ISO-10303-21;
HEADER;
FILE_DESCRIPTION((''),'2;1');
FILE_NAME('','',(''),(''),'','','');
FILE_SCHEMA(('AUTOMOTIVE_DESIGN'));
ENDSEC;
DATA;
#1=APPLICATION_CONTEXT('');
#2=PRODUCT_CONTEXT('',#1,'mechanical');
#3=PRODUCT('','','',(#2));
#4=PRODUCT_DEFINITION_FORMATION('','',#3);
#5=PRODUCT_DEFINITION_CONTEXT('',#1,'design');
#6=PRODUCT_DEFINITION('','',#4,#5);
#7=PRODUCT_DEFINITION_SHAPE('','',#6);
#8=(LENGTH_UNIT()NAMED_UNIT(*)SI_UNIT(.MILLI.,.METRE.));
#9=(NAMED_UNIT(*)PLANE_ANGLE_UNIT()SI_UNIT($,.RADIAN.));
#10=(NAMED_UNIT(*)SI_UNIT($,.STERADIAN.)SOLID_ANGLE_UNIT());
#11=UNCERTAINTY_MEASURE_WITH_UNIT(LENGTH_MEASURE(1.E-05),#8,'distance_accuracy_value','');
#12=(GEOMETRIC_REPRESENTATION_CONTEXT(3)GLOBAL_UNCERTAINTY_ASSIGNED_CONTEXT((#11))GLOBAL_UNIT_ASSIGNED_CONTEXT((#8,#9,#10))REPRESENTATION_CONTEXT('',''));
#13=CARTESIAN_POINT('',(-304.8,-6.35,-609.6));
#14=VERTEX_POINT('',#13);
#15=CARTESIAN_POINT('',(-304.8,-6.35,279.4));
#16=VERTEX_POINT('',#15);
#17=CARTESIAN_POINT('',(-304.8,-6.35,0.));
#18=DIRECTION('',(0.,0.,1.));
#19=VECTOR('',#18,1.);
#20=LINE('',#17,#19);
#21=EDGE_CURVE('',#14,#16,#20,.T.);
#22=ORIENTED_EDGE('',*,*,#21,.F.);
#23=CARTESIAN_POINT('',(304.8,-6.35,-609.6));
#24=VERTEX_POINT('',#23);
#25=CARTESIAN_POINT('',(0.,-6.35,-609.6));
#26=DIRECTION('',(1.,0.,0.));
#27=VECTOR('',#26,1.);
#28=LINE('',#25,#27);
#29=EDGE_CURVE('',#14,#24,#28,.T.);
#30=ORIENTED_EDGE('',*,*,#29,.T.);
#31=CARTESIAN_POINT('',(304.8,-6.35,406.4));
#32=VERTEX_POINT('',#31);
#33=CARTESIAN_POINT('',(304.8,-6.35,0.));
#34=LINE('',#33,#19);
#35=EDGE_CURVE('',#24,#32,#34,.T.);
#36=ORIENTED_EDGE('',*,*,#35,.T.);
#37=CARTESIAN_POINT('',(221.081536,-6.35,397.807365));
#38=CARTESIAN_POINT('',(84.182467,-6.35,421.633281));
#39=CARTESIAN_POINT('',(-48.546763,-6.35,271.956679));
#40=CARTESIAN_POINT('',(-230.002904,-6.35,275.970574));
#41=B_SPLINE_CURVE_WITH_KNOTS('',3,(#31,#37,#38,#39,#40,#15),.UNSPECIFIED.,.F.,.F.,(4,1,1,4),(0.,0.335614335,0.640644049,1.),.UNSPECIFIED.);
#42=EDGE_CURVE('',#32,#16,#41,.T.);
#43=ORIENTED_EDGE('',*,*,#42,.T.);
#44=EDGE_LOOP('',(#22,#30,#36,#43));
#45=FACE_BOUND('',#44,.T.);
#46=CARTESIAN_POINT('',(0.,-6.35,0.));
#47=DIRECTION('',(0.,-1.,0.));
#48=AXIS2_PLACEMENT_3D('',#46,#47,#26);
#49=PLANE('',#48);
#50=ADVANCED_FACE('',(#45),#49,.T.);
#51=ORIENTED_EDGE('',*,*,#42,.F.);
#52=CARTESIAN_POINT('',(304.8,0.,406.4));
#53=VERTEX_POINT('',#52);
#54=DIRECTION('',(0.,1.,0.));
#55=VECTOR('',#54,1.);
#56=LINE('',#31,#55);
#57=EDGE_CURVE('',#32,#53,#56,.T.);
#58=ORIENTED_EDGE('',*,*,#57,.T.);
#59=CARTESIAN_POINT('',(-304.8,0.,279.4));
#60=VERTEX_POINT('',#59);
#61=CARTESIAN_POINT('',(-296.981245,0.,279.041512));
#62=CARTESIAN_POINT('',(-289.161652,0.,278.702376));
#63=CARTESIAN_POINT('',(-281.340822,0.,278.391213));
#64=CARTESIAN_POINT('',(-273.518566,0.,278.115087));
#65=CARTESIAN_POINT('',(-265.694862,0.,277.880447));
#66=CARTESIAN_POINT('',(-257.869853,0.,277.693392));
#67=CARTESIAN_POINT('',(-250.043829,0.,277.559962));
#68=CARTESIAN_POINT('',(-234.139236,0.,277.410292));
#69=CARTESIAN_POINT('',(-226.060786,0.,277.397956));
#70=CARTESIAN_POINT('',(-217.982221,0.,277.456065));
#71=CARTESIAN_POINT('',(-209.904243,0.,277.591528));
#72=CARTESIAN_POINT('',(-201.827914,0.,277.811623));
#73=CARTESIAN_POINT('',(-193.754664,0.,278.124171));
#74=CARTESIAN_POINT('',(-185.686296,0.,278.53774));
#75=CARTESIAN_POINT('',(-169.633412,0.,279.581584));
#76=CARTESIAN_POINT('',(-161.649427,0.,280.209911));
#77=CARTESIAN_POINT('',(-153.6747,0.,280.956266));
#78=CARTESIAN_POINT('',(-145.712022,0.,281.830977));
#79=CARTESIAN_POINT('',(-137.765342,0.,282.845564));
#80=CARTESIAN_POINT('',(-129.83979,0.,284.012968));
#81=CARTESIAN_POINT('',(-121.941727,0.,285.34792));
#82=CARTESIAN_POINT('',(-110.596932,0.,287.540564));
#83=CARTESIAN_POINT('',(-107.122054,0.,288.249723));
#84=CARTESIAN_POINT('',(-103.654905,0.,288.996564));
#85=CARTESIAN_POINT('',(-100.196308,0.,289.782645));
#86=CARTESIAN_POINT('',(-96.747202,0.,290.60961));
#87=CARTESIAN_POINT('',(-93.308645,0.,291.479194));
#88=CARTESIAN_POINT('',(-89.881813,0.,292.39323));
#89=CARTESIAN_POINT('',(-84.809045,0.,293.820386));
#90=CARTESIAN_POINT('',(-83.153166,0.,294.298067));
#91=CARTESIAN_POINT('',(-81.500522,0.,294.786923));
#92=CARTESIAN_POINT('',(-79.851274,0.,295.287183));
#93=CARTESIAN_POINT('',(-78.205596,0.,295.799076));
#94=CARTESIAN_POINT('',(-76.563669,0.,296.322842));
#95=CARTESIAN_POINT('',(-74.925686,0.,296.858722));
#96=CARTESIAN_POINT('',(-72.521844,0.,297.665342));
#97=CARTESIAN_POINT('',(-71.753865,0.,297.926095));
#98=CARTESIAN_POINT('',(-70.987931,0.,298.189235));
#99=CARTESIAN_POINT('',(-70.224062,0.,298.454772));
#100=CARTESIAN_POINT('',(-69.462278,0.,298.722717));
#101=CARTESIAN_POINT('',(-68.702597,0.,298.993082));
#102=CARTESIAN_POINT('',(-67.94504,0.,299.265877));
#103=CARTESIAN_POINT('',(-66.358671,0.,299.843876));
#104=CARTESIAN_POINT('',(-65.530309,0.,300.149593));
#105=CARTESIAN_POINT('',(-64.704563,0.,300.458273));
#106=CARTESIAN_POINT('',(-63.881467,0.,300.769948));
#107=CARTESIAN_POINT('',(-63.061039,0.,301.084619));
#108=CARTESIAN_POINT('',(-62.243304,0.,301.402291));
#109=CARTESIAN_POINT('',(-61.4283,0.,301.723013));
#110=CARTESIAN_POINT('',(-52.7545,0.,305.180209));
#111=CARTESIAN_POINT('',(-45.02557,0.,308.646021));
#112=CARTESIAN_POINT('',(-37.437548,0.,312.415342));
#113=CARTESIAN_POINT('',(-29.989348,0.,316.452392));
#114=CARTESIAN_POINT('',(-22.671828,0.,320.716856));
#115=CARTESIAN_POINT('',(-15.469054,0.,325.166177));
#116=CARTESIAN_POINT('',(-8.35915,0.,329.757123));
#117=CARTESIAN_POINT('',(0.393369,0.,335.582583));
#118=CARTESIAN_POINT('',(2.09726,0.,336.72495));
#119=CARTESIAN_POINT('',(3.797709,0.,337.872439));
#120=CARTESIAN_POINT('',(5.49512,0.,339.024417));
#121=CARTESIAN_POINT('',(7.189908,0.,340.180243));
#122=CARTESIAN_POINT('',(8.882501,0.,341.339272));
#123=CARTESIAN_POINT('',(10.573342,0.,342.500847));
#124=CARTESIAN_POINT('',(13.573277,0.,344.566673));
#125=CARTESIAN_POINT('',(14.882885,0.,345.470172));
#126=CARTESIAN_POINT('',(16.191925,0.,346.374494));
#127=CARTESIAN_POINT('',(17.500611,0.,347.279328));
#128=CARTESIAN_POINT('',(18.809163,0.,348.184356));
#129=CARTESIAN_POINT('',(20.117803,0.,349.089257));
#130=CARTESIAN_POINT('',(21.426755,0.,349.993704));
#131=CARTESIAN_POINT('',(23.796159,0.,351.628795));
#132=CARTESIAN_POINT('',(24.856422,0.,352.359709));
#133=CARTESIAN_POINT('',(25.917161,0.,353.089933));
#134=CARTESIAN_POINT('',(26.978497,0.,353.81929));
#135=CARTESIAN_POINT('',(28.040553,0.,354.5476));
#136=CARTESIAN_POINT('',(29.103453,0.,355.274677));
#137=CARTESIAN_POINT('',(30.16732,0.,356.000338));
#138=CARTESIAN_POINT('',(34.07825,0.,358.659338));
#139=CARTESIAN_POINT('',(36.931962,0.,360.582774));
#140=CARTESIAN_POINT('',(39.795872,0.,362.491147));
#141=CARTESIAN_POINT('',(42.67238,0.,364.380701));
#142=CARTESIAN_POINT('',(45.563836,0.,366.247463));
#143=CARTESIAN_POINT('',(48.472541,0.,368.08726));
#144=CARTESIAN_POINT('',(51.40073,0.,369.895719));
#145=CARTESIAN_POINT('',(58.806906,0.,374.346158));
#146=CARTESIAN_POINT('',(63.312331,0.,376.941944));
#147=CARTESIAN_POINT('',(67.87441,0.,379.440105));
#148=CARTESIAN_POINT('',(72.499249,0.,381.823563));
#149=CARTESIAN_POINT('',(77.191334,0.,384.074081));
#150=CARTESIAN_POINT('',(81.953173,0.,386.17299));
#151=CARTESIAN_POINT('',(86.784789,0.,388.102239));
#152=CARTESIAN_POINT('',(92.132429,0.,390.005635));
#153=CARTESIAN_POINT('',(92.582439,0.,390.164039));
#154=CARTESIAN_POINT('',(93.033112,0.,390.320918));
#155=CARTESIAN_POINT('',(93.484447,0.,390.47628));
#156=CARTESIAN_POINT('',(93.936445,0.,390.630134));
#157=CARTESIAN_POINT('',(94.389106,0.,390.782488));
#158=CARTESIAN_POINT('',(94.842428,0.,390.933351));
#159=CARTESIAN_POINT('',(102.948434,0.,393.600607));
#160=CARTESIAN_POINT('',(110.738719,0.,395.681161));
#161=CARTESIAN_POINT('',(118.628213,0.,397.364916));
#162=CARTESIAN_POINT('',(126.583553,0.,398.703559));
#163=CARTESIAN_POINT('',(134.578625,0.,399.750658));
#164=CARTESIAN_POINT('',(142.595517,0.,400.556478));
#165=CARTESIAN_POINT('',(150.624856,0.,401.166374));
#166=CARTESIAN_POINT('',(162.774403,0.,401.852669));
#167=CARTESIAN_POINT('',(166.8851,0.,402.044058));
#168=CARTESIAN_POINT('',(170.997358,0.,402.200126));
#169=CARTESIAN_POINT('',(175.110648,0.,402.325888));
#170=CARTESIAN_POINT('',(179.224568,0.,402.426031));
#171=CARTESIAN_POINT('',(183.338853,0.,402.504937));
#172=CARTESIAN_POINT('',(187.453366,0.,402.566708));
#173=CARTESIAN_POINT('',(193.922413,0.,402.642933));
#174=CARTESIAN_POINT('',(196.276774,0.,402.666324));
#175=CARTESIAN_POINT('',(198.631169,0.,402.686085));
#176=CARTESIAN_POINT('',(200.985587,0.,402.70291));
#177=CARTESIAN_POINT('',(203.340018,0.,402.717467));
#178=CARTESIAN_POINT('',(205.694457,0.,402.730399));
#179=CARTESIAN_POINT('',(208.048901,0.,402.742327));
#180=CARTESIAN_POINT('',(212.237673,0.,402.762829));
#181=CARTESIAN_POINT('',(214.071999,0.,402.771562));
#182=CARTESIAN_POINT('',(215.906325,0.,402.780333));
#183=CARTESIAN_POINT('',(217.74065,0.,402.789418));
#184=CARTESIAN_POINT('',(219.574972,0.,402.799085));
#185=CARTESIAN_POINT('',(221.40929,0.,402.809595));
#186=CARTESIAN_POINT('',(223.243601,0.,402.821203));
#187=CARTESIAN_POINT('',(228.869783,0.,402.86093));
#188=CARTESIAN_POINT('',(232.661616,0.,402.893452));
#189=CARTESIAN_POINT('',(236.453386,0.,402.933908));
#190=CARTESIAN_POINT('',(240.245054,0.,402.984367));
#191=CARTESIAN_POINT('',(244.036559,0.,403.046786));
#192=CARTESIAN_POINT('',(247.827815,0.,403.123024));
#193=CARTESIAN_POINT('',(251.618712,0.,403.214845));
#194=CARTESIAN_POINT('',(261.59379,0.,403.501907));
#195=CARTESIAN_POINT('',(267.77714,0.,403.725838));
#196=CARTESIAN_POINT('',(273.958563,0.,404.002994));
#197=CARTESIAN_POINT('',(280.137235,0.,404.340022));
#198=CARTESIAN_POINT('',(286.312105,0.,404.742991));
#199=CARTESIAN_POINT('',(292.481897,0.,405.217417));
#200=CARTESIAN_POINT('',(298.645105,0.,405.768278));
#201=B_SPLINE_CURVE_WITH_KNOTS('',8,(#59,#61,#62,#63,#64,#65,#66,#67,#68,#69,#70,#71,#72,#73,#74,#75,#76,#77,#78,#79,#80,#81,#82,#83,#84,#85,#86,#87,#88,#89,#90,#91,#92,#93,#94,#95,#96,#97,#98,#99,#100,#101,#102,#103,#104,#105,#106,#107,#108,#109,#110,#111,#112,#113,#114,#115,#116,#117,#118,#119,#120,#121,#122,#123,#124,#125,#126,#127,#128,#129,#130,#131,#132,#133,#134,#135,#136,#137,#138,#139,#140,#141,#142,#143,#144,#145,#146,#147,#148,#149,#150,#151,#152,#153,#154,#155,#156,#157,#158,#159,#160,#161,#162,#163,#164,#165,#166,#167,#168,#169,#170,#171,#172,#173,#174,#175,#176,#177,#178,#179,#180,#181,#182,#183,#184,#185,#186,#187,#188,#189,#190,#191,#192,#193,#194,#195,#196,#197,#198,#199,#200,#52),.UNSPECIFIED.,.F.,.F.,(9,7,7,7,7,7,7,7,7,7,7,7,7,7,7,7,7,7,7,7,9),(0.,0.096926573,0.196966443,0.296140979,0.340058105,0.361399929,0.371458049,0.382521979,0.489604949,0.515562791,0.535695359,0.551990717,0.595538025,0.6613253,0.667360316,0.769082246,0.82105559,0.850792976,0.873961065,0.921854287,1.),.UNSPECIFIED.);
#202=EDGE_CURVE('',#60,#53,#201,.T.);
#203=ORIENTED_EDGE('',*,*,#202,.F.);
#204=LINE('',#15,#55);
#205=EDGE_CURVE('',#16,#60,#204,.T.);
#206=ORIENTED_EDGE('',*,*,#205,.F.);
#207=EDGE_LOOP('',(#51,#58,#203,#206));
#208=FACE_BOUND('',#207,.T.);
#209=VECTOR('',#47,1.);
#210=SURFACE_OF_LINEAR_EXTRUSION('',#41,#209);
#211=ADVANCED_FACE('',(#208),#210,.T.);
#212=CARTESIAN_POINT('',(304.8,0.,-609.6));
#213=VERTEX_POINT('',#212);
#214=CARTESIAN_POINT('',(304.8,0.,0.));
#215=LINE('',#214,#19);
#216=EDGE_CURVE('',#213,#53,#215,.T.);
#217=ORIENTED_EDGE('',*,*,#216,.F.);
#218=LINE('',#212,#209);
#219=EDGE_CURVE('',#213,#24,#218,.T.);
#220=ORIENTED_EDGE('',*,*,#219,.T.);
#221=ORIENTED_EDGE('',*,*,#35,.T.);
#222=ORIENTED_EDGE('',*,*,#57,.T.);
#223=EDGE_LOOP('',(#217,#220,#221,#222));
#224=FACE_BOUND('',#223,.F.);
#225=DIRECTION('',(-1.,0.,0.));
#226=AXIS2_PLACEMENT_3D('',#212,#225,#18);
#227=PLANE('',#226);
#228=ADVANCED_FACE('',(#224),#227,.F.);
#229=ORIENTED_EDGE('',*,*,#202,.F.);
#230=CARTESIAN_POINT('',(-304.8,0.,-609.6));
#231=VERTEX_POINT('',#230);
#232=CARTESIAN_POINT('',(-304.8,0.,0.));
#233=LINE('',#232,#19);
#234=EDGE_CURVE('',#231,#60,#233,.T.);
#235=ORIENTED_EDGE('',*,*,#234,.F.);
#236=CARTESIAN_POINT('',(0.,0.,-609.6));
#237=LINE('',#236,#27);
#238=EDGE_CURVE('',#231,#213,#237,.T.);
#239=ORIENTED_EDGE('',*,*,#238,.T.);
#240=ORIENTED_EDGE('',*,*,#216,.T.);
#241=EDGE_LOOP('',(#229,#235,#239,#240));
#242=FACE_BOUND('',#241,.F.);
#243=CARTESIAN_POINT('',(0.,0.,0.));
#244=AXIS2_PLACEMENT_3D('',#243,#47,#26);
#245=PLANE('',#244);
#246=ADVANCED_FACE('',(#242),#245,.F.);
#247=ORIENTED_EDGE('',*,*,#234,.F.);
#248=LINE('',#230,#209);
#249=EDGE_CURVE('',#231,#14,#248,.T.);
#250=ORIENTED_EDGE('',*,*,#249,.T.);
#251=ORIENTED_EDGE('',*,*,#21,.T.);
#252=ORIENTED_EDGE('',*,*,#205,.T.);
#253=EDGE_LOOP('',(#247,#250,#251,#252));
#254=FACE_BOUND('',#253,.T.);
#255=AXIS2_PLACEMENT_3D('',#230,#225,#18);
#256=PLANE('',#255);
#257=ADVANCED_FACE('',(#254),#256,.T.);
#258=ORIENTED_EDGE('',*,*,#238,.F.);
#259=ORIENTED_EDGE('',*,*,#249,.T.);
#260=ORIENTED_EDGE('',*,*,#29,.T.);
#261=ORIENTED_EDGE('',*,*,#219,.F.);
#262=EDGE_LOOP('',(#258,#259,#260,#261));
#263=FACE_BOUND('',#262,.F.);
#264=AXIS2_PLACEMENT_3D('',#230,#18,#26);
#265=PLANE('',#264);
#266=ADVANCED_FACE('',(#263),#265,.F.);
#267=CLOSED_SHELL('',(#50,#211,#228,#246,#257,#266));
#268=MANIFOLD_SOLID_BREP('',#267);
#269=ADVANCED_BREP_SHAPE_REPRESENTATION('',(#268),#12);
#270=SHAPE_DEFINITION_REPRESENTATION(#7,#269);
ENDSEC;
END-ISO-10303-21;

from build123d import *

# Parameters (mm, degrees)
F0_W     = 609.6
F0_H     = 1219.2
F1_DEPTH = 6.35
F3_DEPTH = 6.351


with BuildPart() as f1:
    # F0 (on Front) → F1 (new body)
    with BuildSketch(Plane.XZ):
        Rectangle(F0_W, F0_H)
    extrude(amount=F1_DEPTH)

    # F2 (on face) → F3 (cut, through all)
    with BuildSketch(Plane.XZ.offset(6.35)):
        with BuildLine():
            add(Edge.make_bspline(
                [(304.8, 406.4), (221.0815361118, 397.8073648858), (84.1824671856, 421.633281102), (-48.5467625093, 271.9566788926), (-230.0029036924, 275.9705739058), (-304.8, 279.4)],
                knots=[0, 0, 0, 0, 0.3356143347, 0.6406440495, 1, 1, 1, 1], degree=3))
            Line((304.8, 406.4), (304.8, 609.6))
            Line((304.8, 609.6), (-304.8, 609.6))
            Line((-304.8, 609.6), (-304.8, 279.4))
        make_face()
    extrude(amount=-F3_DEPTH, mode=Mode.SUBTRACT)


solid = f1.part
